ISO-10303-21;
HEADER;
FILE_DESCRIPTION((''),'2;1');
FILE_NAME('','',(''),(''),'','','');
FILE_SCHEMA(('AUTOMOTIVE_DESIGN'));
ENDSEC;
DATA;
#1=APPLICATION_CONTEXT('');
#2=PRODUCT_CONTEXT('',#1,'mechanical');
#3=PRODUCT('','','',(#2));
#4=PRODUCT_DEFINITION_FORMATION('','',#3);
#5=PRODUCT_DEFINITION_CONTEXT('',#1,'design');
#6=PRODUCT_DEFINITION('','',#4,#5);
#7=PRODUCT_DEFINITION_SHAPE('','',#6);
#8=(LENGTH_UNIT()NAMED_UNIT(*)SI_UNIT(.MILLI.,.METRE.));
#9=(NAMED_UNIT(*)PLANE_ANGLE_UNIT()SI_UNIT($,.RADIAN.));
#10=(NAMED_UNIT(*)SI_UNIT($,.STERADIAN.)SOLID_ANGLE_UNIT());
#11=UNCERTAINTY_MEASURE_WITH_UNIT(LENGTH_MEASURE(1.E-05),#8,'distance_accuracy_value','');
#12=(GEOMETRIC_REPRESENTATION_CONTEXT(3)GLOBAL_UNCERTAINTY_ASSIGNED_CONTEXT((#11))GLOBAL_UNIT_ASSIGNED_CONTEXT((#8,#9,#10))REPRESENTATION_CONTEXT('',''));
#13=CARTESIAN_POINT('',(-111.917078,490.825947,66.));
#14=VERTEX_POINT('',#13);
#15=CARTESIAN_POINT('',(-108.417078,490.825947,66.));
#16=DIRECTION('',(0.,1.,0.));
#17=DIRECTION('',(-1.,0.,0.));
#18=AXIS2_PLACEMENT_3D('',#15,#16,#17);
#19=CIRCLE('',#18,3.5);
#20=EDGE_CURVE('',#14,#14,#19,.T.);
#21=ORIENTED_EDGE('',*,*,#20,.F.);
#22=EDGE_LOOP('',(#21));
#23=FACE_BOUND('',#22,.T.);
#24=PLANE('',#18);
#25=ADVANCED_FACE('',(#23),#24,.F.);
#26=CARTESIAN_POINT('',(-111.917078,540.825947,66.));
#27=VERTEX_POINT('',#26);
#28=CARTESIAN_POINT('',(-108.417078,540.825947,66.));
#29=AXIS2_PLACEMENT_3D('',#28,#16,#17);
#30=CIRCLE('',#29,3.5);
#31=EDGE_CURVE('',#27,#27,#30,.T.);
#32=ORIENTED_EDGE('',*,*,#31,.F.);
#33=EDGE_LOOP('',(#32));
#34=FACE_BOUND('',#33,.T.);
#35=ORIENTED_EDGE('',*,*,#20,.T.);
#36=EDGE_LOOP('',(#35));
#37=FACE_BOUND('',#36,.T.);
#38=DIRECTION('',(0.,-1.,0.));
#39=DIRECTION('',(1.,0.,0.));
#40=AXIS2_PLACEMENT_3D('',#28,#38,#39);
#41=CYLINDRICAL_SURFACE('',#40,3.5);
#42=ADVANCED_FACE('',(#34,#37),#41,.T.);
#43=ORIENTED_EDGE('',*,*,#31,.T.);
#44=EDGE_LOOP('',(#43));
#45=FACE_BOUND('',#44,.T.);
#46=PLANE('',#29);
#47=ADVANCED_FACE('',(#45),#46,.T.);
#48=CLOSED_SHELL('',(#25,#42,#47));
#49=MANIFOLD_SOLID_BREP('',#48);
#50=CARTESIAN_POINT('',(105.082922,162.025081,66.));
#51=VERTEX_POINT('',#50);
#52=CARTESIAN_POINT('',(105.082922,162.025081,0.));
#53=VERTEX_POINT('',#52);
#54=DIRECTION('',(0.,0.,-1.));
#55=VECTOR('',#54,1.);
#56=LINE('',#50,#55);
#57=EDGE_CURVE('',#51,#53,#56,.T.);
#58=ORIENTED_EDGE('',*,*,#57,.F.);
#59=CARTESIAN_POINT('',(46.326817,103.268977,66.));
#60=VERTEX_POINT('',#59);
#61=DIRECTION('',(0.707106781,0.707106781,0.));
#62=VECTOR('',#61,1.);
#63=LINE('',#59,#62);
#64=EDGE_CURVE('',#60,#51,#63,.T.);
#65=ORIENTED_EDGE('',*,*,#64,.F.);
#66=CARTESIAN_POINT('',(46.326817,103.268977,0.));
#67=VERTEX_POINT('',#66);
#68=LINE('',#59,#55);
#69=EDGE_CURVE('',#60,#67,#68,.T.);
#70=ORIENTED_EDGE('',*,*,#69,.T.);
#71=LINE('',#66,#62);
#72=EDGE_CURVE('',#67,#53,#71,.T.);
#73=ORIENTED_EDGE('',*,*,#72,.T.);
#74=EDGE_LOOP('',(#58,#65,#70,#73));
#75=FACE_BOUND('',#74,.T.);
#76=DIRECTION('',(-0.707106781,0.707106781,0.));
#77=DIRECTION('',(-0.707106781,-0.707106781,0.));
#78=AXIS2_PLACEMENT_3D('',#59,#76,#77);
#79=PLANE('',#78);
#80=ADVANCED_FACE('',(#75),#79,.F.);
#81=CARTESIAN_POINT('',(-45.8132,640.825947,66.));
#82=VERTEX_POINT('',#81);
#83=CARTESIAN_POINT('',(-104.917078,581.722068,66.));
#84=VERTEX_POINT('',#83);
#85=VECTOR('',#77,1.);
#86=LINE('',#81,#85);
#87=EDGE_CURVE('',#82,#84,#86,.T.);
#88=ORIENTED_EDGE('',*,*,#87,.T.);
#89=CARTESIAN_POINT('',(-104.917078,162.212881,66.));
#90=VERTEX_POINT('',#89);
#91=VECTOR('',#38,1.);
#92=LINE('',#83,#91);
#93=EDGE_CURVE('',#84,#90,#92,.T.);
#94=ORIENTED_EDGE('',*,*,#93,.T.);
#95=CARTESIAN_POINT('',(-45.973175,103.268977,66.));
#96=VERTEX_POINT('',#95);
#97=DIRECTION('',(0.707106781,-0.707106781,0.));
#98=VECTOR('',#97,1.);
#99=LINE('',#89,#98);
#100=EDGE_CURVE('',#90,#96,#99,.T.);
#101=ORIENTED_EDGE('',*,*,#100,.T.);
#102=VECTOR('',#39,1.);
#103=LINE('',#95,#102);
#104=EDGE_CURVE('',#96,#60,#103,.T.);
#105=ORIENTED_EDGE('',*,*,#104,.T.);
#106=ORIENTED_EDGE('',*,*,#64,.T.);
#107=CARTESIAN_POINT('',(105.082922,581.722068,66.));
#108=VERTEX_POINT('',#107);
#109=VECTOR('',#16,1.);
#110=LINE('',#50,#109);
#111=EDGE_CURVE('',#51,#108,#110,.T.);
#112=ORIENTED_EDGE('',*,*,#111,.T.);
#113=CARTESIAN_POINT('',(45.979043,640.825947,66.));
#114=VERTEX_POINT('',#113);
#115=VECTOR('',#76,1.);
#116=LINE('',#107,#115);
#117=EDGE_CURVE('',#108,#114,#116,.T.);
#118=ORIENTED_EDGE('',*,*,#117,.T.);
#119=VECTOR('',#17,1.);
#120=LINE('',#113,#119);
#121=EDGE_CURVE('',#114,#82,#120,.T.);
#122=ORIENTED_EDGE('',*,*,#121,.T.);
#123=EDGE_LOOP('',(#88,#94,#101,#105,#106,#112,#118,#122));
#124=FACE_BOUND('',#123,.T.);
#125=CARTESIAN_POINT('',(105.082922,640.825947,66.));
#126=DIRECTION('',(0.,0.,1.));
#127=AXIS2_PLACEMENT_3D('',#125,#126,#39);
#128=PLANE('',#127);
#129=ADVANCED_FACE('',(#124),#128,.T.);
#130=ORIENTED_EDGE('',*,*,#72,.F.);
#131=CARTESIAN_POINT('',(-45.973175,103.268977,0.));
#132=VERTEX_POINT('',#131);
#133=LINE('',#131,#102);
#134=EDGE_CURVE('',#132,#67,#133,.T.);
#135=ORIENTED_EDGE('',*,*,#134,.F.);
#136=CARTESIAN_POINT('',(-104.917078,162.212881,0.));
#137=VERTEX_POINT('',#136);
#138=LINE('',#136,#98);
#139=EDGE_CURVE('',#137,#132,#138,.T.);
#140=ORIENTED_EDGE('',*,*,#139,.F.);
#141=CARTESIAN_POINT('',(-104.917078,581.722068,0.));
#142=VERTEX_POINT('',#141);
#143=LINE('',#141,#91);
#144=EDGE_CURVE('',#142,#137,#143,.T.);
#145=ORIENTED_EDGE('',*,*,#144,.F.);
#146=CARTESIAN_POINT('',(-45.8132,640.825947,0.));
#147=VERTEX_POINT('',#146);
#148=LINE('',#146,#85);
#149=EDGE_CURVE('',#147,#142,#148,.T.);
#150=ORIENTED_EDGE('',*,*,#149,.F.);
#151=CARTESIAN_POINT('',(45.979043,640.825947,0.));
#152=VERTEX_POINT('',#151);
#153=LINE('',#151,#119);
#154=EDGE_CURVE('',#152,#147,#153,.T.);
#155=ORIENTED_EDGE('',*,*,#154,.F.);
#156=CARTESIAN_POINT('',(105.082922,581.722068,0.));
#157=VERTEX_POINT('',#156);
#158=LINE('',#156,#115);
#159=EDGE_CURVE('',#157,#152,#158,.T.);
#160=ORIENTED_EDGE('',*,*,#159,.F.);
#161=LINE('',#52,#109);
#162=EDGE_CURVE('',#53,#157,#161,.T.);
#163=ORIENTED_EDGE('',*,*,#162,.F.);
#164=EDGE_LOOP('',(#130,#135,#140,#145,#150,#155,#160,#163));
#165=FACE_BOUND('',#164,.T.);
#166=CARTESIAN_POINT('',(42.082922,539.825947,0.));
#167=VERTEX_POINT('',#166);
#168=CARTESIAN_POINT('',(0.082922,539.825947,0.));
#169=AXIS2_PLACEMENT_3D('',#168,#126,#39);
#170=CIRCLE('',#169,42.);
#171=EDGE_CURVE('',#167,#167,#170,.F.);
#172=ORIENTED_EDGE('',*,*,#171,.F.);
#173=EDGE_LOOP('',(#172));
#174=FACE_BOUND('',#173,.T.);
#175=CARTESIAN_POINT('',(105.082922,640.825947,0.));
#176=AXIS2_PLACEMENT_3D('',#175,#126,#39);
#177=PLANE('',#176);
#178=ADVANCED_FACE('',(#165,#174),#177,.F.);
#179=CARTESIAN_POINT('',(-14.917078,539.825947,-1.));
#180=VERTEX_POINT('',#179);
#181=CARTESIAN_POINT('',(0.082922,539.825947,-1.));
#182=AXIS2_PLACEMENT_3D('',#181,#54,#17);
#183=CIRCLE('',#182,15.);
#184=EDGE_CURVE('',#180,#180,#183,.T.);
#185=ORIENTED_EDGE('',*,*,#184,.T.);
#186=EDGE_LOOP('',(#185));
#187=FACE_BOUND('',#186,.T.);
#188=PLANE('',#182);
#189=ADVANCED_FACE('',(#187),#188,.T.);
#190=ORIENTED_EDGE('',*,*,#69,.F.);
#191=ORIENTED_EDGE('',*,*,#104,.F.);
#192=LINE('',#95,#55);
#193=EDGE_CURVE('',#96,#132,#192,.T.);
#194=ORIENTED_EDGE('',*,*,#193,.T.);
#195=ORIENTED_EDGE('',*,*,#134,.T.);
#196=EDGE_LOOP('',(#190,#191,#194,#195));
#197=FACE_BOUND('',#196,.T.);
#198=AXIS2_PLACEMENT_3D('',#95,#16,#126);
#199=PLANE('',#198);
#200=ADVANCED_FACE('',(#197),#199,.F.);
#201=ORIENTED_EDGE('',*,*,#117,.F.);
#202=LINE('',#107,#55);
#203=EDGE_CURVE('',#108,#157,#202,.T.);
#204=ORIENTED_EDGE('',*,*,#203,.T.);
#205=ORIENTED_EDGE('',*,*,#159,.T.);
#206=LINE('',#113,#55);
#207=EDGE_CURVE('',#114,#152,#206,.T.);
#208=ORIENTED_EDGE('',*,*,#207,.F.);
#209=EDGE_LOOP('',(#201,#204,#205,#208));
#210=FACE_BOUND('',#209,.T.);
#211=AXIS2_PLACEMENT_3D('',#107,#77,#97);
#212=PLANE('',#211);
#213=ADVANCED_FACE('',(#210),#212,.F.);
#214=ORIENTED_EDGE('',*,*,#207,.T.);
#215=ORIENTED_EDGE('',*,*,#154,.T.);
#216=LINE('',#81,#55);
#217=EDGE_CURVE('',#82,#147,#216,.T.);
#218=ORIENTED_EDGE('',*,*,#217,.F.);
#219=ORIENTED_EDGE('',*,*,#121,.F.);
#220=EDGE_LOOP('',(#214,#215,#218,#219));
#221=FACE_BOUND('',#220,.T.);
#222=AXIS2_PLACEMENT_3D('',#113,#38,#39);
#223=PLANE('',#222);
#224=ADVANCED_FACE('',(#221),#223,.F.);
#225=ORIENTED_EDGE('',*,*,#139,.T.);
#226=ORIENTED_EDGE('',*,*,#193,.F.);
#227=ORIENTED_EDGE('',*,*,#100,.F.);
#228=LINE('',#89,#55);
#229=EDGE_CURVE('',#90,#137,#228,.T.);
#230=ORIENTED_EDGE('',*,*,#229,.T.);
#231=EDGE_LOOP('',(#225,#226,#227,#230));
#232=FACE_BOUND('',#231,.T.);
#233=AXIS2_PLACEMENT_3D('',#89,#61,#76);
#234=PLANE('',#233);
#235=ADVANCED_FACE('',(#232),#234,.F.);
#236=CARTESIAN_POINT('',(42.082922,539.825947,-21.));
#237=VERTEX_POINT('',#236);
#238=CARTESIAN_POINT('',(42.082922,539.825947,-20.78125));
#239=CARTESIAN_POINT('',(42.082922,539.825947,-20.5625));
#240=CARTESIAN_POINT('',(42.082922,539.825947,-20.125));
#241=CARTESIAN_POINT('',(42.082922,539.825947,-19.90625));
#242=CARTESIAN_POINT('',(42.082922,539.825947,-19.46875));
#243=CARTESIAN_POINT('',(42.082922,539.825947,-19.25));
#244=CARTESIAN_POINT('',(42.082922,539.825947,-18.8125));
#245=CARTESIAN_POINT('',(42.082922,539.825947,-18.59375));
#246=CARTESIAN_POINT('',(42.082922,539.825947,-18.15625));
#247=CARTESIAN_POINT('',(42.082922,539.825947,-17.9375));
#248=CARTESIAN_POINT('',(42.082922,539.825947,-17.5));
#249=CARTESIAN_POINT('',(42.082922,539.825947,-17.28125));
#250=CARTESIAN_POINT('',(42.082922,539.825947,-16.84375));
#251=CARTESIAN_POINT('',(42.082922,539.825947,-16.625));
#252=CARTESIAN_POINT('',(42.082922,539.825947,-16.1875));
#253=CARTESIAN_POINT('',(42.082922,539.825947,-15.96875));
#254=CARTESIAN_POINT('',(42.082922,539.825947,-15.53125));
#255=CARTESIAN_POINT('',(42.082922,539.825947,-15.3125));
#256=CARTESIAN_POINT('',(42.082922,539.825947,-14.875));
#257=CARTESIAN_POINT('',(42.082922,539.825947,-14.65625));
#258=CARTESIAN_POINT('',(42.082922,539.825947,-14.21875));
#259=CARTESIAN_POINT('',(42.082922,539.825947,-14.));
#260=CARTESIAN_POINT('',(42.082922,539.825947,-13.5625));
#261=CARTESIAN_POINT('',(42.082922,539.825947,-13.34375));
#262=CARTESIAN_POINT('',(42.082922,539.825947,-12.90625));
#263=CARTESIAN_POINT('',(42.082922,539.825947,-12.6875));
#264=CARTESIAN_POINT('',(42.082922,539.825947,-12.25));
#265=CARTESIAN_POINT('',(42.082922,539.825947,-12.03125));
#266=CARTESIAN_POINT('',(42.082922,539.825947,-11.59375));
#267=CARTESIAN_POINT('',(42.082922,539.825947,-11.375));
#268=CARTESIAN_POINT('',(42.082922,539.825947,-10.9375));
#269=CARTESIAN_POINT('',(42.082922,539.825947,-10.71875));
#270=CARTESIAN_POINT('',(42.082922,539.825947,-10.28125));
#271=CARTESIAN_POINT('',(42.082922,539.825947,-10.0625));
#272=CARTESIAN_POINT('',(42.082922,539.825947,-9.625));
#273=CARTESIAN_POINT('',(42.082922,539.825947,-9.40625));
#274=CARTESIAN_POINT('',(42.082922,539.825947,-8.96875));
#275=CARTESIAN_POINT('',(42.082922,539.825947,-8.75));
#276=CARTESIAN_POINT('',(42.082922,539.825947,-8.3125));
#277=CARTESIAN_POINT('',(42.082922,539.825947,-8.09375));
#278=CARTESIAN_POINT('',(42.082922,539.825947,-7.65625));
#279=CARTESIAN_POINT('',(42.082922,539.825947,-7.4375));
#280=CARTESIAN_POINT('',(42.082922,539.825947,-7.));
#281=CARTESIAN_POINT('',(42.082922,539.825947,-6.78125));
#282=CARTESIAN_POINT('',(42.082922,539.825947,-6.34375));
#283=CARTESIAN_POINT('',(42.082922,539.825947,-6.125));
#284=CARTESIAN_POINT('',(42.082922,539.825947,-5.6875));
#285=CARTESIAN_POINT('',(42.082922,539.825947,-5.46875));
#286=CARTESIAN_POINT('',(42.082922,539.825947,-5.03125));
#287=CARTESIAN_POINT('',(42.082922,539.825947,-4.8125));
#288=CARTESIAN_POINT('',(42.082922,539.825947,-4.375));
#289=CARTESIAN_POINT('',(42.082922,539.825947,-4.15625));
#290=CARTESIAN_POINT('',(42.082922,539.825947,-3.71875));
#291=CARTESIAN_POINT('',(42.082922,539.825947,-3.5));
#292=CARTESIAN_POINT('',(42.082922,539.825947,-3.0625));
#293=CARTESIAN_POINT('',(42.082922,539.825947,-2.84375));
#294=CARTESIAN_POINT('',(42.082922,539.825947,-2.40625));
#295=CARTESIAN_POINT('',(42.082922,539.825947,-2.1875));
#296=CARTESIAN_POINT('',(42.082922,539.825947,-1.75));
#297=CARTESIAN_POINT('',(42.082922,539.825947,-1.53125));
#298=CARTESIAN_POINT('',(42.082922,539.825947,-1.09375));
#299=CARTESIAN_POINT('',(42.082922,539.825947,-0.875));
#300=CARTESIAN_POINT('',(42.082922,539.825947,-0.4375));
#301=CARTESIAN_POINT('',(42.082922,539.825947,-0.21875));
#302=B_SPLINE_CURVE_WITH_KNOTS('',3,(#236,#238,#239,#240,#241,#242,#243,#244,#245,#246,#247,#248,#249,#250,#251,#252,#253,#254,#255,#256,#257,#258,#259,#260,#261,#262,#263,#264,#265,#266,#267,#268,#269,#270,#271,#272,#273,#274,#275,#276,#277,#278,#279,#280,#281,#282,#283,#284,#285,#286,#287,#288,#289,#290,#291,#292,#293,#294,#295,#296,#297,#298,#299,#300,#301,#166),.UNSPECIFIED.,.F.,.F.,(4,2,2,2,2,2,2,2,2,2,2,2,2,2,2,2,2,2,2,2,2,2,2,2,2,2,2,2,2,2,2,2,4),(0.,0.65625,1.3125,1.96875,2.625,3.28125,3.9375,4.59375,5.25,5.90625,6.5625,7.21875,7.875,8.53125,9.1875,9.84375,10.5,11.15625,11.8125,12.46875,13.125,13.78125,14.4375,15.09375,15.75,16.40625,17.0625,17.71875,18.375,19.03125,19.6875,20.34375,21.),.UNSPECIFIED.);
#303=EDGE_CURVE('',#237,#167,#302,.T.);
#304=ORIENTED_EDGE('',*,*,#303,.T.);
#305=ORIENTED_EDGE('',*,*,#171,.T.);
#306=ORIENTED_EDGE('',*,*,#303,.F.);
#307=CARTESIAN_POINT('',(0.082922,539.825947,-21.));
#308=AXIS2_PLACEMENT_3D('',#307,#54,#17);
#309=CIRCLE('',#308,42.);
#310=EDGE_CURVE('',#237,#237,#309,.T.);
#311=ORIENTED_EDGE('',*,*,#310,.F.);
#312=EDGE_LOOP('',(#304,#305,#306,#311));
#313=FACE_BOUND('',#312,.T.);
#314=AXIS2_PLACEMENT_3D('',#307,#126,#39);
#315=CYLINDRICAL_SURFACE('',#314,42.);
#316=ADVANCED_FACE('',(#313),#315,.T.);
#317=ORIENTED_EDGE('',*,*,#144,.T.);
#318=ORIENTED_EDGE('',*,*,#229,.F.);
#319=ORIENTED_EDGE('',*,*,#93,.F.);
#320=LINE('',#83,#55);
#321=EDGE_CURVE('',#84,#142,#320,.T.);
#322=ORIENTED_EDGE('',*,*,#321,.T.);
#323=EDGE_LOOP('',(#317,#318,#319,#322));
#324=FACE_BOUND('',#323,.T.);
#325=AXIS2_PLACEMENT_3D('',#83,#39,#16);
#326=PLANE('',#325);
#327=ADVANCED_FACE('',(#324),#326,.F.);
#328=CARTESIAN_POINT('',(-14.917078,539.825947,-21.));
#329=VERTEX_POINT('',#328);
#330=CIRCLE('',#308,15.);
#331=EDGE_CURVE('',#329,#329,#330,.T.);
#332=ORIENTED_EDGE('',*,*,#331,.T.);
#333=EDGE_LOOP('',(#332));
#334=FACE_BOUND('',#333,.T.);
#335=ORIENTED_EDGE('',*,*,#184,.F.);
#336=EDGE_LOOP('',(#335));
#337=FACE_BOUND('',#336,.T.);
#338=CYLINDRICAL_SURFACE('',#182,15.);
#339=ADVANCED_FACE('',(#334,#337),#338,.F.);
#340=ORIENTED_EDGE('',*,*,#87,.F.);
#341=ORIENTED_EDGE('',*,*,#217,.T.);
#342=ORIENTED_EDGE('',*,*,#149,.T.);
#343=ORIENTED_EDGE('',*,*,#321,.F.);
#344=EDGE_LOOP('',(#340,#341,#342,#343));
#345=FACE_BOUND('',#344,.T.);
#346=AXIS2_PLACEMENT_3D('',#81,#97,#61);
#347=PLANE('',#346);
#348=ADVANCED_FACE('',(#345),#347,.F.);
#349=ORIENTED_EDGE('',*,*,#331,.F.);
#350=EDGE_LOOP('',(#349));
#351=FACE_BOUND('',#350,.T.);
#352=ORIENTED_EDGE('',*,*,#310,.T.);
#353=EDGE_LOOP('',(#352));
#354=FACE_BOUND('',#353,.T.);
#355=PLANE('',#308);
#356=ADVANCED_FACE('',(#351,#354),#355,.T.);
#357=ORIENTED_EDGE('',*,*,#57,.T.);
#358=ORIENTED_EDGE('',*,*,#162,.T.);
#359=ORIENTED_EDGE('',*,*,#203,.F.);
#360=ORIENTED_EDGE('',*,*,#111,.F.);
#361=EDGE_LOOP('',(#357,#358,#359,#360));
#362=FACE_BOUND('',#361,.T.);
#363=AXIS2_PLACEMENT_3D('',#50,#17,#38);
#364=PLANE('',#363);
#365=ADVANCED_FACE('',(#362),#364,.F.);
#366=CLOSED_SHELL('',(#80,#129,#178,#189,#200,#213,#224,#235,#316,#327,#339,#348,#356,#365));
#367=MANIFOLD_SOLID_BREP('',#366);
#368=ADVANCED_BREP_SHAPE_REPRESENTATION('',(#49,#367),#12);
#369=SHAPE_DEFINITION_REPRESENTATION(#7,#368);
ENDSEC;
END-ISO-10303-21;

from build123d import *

# Parameters (mm, degrees)
EXTRUDE_1_DEPTH     = 66
SKETCH1_R           = 3.5
BOSS_EXTRUDE1_DEPTH = 50
SKETCH2_R           = 42
BOSS_EXTRUDE2_DEPTH = 21
SKETCH3_R           = 15
CUT_EXTRUDE1_DEPTH  = 20


with BuildPart() as part:
    # Эскиз1 → Вытянуть1 (new body)
    with BuildSketch(Plane.XY):
        Polygon((105.082921559, 581.722068254), (45.979042749, 640.825947064), (-45.813199631, 640.825947064), (-104.917078441, 581.722068254), (-104.917078441, 162.212880509), (-45.97317451, 103.268976578), (46.326817337, 103.268976578), (105.082921559, 162.0250808), align=None)
    extrude(amount=EXTRUDE_1_DEPTH)

    # Sketch2 → Boss-Extrude2 (add)
    with BuildSketch(Plane(origin=(0, 0, 0), x_dir=(-1, 0, 0), z_dir=(0, 0, -1))):
        with Locations(Location((-0.082921559, 539.825947064, 0), (0, 0, 180))):
            Circle(SKETCH2_R)
    extrude(amount=BOSS_EXTRUDE2_DEPTH)

    # Sketch3 → Cut-Extrude1 (cut)
    with BuildSketch(Plane(origin=(0, 0, -21), x_dir=(-1, 0, 0), z_dir=(0, 0, -1))):
        with Locations((-0.082921559, 539.825947064)):
            Circle(SKETCH3_R)
    extrude(amount=-CUT_EXTRUDE1_DEPTH, mode=Mode.SUBTRACT)


with BuildPart() as body_2:
    # Sketch1 → Boss-Extrude1 (new body)
    with BuildSketch(Plane(origin=(0, 490.825947064, 0), x_dir=(1, 0, 0), z_dir=(0, 1, 0))):
        with Locations(Location((-108.417078441, -66, 0), (0, 0, 180))):
            Circle(SKETCH1_R)
    extrude(amount=BOSS_EXTRUDE1_DEPTH)


solid = Compound([part.part, body_2.part])
